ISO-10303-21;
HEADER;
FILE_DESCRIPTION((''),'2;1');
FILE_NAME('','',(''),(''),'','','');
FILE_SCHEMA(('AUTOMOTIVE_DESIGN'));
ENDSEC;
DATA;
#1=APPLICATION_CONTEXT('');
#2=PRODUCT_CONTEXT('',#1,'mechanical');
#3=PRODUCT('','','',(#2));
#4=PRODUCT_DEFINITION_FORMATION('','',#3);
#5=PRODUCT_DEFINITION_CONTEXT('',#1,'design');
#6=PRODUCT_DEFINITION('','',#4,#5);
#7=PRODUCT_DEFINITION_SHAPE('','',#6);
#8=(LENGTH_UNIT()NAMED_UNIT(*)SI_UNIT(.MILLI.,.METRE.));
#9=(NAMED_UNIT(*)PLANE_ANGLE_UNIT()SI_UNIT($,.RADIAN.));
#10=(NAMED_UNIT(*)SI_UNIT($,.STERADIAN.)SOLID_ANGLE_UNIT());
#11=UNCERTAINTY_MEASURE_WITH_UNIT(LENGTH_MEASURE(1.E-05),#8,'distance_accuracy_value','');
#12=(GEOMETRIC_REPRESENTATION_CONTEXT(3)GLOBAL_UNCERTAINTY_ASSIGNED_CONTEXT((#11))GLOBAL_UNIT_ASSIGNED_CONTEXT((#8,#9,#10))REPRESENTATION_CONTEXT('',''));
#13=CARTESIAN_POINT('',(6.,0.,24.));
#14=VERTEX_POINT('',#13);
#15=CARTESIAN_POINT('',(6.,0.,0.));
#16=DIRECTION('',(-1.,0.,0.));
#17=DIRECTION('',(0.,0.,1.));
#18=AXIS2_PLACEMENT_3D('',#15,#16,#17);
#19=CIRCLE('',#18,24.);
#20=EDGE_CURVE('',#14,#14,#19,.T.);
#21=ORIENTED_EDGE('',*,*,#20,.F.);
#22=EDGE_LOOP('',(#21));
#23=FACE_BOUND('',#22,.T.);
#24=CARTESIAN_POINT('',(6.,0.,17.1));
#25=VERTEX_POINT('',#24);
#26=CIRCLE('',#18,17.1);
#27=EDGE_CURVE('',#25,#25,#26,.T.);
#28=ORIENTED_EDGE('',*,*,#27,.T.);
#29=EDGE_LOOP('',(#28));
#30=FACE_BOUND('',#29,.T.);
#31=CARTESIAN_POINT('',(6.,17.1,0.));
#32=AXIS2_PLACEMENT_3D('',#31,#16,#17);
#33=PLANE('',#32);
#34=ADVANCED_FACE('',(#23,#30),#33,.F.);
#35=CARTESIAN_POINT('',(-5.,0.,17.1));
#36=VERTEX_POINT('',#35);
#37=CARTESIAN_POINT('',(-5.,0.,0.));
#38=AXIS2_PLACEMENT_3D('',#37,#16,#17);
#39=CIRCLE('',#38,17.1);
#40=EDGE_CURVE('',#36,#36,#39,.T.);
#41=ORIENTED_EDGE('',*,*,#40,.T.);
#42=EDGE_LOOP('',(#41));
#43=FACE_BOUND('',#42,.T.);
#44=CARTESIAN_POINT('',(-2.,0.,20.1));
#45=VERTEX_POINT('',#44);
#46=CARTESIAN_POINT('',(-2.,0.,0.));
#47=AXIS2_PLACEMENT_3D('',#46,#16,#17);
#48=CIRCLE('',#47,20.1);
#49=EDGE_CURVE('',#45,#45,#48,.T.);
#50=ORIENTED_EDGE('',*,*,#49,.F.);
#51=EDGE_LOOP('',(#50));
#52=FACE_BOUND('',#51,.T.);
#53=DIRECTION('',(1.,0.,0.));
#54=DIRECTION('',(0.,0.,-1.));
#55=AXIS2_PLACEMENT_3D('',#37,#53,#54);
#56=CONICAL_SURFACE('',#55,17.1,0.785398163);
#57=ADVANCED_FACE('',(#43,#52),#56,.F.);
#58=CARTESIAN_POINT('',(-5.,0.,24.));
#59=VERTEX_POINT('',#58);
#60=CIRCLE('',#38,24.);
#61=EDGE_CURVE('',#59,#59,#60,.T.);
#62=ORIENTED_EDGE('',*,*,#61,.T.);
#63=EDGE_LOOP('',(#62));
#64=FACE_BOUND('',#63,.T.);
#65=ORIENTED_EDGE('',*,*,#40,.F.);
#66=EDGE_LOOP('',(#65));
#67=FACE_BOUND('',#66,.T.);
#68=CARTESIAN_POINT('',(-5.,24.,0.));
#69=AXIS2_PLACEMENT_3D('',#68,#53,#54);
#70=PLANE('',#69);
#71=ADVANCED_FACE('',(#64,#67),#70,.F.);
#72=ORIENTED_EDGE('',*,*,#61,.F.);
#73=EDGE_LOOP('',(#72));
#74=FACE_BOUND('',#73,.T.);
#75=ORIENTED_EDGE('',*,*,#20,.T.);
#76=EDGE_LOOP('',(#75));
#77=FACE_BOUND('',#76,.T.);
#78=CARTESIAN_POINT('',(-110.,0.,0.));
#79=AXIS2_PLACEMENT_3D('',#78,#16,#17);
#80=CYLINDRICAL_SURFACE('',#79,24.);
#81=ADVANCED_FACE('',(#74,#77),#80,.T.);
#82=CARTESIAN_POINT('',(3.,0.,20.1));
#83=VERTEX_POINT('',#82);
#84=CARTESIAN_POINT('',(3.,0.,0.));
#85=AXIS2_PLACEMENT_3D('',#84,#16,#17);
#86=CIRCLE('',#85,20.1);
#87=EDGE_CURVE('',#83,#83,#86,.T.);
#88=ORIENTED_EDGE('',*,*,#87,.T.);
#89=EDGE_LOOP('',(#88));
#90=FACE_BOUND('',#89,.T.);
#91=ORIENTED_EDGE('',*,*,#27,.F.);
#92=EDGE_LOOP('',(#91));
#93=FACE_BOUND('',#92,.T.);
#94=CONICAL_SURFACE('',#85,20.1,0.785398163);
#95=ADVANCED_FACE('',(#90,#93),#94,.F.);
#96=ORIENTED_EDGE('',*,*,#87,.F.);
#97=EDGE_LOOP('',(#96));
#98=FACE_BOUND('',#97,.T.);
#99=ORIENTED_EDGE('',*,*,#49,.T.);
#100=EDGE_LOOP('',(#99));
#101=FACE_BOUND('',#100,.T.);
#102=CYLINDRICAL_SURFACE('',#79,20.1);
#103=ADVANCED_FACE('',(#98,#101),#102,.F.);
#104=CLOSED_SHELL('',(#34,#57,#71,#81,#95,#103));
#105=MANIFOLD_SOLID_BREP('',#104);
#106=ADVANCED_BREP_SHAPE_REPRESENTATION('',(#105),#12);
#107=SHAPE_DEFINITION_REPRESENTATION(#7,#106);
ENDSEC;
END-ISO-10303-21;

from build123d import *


with BuildPart() as part:
    # Axial profile (mm) → Full revolution (revolve)
    with BuildSketch(Plane.XY, mode=Mode.PRIVATE) as full_revolution_sk:
        Polygon((-5, 17.1), (-2, 20.1), (3, 20.1), (6, 17.1), (6, 24), (-5, 24), align=None)
    revolve(full_revolution_sk.sketch.rotate(Axis((-110, 0, 0), (1, 0, 0)), 90), axis=Axis((-110, 0, 0), (1, 0, 0)))


solid = part.part
